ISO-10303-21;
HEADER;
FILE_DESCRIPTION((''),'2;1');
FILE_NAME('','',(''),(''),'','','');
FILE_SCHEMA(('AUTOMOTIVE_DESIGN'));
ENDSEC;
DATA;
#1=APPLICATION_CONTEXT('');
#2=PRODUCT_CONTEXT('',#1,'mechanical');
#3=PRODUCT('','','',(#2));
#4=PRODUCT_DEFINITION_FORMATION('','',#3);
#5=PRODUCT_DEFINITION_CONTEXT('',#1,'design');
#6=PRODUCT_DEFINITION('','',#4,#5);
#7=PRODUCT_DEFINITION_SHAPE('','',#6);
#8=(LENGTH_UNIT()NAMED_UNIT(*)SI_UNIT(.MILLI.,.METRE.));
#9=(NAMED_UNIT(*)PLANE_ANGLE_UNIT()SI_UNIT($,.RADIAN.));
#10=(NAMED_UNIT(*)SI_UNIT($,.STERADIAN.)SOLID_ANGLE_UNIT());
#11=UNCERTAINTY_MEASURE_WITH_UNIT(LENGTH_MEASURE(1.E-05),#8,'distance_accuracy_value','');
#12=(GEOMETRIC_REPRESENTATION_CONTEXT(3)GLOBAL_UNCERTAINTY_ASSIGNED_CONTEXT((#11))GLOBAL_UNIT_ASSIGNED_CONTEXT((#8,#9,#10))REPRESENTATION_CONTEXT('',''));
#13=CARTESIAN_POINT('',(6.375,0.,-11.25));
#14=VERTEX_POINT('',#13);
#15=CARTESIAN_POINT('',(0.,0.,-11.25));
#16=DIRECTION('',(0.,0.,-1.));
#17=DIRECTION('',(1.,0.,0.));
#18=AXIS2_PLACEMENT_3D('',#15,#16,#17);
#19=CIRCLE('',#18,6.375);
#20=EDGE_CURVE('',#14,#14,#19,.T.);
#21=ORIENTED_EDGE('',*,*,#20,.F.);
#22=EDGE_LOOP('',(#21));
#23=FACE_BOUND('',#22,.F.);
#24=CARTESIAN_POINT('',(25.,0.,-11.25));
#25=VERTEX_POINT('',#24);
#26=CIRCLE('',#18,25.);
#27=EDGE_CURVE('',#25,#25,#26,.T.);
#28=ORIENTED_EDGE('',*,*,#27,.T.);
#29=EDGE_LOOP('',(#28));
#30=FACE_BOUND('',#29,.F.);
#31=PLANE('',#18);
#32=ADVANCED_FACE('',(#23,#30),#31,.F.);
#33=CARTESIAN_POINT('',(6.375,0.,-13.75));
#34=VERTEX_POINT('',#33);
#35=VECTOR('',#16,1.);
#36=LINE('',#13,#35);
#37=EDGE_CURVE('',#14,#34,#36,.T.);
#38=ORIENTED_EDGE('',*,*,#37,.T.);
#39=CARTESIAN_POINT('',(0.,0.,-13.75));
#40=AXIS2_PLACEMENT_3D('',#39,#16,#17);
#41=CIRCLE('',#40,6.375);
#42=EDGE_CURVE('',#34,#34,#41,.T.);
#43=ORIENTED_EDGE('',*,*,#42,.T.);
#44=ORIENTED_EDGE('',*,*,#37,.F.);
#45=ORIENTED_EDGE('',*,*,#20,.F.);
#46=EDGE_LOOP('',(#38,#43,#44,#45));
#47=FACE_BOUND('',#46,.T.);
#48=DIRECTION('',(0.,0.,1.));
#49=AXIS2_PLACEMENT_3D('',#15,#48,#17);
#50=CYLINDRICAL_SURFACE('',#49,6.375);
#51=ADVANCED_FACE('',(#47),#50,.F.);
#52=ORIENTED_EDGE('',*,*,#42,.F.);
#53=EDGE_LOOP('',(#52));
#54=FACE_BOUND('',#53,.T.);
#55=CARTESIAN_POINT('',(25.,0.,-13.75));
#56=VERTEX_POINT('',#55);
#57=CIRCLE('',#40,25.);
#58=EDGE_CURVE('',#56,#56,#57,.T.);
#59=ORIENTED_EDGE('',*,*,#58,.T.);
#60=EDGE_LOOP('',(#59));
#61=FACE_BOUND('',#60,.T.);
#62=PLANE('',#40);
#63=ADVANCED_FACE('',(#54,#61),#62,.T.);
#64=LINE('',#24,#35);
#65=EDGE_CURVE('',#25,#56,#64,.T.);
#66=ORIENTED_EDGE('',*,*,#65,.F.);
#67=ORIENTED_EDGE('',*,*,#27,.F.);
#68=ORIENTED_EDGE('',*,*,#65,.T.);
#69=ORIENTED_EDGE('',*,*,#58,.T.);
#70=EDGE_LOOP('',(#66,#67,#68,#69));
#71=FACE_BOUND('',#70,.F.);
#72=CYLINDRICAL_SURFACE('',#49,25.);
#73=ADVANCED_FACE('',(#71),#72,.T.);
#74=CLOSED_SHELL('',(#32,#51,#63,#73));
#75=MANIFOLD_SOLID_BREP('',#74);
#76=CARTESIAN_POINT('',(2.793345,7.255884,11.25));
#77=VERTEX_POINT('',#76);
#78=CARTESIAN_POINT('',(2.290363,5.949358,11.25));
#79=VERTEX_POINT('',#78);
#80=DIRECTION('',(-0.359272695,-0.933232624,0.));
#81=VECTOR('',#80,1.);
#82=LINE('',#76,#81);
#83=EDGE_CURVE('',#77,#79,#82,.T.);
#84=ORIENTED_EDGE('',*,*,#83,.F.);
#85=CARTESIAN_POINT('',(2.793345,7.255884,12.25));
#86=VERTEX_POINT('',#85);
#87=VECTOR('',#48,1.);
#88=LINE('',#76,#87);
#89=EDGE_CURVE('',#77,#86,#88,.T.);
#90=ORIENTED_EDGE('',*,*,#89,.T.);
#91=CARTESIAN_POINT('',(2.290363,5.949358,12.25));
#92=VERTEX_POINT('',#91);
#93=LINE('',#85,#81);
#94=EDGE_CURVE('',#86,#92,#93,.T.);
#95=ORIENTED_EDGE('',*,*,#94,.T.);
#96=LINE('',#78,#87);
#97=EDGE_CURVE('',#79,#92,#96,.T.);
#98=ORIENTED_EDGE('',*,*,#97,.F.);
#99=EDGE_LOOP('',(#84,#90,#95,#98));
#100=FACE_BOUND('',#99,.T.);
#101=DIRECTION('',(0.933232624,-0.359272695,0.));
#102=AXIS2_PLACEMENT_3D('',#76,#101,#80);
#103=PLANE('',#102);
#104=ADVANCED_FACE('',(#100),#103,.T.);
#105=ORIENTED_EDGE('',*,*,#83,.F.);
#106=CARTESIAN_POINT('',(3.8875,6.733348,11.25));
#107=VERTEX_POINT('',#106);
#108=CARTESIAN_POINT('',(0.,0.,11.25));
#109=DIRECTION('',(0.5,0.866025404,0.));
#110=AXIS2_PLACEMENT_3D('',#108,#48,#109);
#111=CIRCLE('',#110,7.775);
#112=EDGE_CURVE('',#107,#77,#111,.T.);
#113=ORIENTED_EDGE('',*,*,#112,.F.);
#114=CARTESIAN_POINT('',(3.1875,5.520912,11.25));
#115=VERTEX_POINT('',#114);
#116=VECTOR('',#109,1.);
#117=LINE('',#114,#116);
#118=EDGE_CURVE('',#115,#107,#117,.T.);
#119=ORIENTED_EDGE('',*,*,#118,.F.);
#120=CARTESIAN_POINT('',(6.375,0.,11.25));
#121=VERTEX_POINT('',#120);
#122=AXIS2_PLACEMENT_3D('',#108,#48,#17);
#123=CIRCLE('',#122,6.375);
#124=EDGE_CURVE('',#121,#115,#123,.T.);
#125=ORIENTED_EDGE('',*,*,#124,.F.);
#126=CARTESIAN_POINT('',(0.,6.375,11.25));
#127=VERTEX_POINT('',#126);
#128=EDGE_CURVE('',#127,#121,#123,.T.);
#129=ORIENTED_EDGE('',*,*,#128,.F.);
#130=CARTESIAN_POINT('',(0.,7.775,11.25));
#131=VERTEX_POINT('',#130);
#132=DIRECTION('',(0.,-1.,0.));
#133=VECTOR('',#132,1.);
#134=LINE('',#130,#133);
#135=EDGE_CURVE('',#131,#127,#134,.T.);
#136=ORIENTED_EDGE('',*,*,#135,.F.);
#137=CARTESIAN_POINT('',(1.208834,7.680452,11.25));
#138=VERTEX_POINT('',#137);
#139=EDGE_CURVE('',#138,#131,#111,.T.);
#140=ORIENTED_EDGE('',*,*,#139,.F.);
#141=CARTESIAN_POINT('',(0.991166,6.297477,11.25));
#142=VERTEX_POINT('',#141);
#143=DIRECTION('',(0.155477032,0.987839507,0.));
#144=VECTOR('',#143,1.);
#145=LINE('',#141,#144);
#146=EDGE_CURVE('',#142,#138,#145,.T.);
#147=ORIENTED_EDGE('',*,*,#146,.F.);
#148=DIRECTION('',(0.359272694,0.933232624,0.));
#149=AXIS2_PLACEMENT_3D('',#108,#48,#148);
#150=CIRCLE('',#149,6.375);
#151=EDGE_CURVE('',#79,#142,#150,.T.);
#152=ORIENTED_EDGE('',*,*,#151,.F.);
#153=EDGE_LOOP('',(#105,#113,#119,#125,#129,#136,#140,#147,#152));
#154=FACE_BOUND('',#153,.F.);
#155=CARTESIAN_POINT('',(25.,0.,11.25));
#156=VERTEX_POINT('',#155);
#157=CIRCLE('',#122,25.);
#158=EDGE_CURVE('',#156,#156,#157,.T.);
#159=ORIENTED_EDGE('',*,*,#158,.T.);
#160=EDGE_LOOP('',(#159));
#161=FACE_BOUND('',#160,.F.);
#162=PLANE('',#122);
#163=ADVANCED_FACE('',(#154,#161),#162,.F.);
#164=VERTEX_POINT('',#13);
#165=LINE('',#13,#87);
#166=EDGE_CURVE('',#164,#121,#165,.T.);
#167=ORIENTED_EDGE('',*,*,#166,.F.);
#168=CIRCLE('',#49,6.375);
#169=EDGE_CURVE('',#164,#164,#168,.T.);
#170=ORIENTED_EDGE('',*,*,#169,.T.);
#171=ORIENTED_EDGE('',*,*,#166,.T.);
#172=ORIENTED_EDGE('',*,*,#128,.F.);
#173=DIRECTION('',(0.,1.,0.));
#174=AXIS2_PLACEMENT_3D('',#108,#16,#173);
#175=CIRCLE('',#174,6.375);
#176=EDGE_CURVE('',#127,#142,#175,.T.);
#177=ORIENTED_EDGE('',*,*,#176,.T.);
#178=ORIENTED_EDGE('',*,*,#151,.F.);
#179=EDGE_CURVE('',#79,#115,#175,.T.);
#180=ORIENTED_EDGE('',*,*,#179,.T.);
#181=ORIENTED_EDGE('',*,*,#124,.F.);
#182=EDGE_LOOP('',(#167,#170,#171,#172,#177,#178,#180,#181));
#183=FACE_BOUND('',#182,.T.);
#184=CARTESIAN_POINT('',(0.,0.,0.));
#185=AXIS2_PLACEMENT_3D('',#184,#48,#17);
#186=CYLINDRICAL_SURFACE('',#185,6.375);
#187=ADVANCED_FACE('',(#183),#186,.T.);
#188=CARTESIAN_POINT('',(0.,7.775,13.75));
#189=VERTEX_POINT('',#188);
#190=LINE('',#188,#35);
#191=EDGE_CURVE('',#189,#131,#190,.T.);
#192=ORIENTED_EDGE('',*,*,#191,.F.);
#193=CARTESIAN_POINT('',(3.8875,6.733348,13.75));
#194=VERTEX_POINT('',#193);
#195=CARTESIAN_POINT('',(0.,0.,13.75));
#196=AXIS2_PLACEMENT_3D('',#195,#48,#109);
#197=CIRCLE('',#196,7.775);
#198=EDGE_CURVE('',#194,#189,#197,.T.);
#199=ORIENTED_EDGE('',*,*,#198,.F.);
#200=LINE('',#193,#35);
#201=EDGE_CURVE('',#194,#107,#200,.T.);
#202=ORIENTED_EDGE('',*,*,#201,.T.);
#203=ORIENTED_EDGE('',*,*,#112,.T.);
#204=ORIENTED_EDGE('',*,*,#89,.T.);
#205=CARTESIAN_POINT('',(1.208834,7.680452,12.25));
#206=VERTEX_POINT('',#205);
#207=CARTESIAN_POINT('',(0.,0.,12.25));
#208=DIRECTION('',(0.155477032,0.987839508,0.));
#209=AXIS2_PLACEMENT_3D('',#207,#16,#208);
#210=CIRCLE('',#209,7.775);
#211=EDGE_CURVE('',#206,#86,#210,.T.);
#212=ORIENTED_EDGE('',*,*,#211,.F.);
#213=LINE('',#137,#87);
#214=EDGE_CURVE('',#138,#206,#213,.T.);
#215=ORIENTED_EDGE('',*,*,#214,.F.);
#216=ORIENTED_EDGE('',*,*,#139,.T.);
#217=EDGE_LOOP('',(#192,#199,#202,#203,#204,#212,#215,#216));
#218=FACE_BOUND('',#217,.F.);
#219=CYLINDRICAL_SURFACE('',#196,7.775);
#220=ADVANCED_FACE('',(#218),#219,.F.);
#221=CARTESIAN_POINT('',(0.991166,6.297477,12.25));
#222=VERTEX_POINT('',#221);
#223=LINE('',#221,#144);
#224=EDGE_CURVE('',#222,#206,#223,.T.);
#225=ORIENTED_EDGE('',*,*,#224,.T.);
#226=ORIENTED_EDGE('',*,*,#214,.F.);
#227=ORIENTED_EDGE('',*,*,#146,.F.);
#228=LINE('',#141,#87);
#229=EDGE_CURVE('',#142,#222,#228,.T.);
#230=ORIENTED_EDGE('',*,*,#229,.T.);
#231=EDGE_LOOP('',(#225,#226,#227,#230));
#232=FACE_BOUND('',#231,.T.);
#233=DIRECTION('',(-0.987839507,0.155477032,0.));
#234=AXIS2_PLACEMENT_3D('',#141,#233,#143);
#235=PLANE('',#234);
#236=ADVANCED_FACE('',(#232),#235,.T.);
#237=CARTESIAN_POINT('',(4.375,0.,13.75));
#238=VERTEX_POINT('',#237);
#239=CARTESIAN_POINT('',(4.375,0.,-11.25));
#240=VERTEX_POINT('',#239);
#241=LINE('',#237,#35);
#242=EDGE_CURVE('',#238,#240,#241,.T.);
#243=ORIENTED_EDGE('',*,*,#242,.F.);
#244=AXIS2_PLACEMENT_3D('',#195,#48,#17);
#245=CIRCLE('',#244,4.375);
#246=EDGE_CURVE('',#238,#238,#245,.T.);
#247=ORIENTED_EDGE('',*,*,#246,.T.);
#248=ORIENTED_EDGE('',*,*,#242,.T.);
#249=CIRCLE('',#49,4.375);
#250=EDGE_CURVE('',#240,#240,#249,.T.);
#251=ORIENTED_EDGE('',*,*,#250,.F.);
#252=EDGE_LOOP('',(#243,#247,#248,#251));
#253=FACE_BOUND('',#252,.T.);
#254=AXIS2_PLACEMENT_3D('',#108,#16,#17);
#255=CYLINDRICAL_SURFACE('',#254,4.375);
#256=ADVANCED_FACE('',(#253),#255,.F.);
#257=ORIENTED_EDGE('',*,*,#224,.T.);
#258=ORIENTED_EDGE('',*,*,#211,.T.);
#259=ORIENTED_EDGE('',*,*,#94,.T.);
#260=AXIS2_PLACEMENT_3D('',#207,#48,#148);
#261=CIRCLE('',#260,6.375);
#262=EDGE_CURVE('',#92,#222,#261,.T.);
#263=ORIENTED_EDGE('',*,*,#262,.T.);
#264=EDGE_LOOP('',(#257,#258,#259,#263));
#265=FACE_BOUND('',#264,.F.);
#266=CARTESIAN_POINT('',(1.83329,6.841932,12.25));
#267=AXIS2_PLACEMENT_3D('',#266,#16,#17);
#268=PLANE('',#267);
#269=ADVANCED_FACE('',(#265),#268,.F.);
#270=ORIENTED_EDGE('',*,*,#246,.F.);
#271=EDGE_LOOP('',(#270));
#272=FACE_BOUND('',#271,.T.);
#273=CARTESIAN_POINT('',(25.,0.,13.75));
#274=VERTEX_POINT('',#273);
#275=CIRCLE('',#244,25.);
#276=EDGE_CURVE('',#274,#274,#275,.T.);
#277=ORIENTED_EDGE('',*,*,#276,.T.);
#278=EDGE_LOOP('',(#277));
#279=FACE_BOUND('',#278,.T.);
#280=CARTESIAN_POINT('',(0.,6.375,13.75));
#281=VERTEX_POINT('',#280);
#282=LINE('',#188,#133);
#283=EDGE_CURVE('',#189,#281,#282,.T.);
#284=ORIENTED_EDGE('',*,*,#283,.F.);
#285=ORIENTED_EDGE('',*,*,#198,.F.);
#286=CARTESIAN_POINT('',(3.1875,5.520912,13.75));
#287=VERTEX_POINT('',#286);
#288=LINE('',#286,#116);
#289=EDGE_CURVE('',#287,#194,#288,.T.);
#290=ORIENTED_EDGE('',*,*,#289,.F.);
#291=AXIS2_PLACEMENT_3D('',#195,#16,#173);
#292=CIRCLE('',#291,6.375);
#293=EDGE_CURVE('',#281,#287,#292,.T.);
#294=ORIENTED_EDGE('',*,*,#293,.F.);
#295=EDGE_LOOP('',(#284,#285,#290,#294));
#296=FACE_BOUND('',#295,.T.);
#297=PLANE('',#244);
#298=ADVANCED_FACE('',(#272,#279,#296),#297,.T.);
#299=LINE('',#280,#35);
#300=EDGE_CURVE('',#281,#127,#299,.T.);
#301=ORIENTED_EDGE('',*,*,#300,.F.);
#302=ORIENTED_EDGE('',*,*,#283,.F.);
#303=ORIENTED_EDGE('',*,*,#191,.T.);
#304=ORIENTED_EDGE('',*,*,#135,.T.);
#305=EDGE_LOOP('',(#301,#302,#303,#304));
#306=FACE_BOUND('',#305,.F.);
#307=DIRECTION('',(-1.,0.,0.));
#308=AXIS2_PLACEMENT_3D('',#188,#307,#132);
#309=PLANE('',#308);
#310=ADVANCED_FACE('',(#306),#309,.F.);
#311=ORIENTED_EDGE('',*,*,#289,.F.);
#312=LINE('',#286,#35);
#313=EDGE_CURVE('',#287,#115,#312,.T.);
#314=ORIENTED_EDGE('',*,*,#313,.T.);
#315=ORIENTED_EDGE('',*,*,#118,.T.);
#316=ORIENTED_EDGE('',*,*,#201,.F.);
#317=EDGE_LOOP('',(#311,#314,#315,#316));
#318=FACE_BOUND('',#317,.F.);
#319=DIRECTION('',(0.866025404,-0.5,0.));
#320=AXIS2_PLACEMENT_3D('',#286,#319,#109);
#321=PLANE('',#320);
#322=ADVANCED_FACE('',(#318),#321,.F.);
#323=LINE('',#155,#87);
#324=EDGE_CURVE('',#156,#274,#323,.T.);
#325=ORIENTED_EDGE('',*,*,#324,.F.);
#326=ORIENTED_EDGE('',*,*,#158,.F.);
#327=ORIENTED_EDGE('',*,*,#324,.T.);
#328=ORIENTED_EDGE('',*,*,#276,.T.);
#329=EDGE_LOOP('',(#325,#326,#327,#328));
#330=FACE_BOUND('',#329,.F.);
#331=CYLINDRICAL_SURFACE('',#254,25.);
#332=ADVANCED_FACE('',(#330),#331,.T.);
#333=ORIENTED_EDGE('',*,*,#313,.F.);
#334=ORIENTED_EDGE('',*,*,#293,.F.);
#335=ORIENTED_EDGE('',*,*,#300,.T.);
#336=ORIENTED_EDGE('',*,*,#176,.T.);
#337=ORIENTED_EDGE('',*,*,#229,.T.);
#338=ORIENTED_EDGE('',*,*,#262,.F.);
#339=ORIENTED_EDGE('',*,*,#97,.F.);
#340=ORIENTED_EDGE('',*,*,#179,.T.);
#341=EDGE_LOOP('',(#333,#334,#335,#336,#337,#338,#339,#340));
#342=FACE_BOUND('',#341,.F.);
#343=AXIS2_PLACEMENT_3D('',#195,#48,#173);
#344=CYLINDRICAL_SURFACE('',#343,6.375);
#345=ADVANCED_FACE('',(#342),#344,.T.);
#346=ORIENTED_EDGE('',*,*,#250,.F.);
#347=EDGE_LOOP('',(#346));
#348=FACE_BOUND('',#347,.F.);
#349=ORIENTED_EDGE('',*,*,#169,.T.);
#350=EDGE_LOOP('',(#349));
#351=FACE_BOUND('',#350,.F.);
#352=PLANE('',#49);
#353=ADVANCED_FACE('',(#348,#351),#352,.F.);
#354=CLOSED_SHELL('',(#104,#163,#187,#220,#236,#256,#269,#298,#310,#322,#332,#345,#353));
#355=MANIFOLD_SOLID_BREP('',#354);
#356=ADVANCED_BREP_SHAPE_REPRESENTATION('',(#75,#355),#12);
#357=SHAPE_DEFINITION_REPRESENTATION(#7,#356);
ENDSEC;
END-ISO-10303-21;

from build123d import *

# Parameters (mm, degrees)
F0_R     = 6.375
F0_R_2   = 4.375
F1_DEPTH = 11.25
F2_R     = 25
F2_R_2   = 6.375
F2_R_3   = 4.375
F3_DEPTH = 2.5
F6_DEPTH = 2.5
F8_DEPTH = 1
F4_R     = 25
F4_R_2   = 6.375
F9_DEPTH = 2.5


with BuildPart() as f1:
    # F0 (on Top) → F1 (new body, symmetric)
    with BuildSketch(Plane.XY):
        Circle(F0_R)
        Circle(F0_R_2, mode=Mode.SUBTRACT)
    extrude(amount=F1_DEPTH, both=True)

    # F2 (on face) → F3 (join)
    with BuildSketch(Plane.XY.offset(11.25)):
        Circle(F2_R)
        Circle(F2_R_2, mode=Mode.SUBTRACT)
        Circle(F2_R_2)
        Circle(F2_R_3, mode=Mode.SUBTRACT)
    extrude(amount=F3_DEPTH)

    # F5 (on face) → F6 (cut, through all)
    with BuildSketch(Plane.XY.offset(13.75)):
        with BuildLine():
            ThreePointArc((0, 6.375), (1.6499714125, 6.1577771426), (3.1875, 5.5209119491))
            Line((3.1875, 5.5209119491), (3.8875, 6.7333475144))
            ThreePointArc((3.8875, 6.7333475144), (2.0123180757, 7.5100732994), (0, 7.775))
            Line((0, 7.775), (0, 6.375))
        make_face()
    extrude(amount=-F6_DEPTH, mode=Mode.SUBTRACT)

    # F7 (on face) → F8 (join)
    with BuildSketch(Plane(origin=(0, 0, 11.25), x_dir=(1, 0, 0), z_dir=(0, 0, -1))):
        with BuildLine():
            Line((0.9911660777, -6.2974768603), (1.2088339223, -7.6804521708))
            ThreePointArc((1.2088339223, -7.6804521708), (2.0123180757, -7.5100732994), (2.7933451998, -7.2558836536))
            Line((2.7933451998, -7.2558836536), (2.2903634275, -5.9493579797))
            ThreePointArc((2.2903634275, -5.9493579797), (1.6499714125, -6.1577771426), (0.9911660777, -6.2974768603))
        make_face()
    extrude(amount=-F8_DEPTH)


with BuildPart() as f9:
    # F4 (on face) → F9 (new body)
    with BuildSketch(Plane(origin=(0, 0, -11.25), x_dir=(1, 0, 0), z_dir=(0, 0, -1))):
        Circle(F4_R)
        Circle(F4_R_2, mode=Mode.SUBTRACT)
    extrude(amount=F9_DEPTH)


solid = Compound([f1.part, f9.part])
